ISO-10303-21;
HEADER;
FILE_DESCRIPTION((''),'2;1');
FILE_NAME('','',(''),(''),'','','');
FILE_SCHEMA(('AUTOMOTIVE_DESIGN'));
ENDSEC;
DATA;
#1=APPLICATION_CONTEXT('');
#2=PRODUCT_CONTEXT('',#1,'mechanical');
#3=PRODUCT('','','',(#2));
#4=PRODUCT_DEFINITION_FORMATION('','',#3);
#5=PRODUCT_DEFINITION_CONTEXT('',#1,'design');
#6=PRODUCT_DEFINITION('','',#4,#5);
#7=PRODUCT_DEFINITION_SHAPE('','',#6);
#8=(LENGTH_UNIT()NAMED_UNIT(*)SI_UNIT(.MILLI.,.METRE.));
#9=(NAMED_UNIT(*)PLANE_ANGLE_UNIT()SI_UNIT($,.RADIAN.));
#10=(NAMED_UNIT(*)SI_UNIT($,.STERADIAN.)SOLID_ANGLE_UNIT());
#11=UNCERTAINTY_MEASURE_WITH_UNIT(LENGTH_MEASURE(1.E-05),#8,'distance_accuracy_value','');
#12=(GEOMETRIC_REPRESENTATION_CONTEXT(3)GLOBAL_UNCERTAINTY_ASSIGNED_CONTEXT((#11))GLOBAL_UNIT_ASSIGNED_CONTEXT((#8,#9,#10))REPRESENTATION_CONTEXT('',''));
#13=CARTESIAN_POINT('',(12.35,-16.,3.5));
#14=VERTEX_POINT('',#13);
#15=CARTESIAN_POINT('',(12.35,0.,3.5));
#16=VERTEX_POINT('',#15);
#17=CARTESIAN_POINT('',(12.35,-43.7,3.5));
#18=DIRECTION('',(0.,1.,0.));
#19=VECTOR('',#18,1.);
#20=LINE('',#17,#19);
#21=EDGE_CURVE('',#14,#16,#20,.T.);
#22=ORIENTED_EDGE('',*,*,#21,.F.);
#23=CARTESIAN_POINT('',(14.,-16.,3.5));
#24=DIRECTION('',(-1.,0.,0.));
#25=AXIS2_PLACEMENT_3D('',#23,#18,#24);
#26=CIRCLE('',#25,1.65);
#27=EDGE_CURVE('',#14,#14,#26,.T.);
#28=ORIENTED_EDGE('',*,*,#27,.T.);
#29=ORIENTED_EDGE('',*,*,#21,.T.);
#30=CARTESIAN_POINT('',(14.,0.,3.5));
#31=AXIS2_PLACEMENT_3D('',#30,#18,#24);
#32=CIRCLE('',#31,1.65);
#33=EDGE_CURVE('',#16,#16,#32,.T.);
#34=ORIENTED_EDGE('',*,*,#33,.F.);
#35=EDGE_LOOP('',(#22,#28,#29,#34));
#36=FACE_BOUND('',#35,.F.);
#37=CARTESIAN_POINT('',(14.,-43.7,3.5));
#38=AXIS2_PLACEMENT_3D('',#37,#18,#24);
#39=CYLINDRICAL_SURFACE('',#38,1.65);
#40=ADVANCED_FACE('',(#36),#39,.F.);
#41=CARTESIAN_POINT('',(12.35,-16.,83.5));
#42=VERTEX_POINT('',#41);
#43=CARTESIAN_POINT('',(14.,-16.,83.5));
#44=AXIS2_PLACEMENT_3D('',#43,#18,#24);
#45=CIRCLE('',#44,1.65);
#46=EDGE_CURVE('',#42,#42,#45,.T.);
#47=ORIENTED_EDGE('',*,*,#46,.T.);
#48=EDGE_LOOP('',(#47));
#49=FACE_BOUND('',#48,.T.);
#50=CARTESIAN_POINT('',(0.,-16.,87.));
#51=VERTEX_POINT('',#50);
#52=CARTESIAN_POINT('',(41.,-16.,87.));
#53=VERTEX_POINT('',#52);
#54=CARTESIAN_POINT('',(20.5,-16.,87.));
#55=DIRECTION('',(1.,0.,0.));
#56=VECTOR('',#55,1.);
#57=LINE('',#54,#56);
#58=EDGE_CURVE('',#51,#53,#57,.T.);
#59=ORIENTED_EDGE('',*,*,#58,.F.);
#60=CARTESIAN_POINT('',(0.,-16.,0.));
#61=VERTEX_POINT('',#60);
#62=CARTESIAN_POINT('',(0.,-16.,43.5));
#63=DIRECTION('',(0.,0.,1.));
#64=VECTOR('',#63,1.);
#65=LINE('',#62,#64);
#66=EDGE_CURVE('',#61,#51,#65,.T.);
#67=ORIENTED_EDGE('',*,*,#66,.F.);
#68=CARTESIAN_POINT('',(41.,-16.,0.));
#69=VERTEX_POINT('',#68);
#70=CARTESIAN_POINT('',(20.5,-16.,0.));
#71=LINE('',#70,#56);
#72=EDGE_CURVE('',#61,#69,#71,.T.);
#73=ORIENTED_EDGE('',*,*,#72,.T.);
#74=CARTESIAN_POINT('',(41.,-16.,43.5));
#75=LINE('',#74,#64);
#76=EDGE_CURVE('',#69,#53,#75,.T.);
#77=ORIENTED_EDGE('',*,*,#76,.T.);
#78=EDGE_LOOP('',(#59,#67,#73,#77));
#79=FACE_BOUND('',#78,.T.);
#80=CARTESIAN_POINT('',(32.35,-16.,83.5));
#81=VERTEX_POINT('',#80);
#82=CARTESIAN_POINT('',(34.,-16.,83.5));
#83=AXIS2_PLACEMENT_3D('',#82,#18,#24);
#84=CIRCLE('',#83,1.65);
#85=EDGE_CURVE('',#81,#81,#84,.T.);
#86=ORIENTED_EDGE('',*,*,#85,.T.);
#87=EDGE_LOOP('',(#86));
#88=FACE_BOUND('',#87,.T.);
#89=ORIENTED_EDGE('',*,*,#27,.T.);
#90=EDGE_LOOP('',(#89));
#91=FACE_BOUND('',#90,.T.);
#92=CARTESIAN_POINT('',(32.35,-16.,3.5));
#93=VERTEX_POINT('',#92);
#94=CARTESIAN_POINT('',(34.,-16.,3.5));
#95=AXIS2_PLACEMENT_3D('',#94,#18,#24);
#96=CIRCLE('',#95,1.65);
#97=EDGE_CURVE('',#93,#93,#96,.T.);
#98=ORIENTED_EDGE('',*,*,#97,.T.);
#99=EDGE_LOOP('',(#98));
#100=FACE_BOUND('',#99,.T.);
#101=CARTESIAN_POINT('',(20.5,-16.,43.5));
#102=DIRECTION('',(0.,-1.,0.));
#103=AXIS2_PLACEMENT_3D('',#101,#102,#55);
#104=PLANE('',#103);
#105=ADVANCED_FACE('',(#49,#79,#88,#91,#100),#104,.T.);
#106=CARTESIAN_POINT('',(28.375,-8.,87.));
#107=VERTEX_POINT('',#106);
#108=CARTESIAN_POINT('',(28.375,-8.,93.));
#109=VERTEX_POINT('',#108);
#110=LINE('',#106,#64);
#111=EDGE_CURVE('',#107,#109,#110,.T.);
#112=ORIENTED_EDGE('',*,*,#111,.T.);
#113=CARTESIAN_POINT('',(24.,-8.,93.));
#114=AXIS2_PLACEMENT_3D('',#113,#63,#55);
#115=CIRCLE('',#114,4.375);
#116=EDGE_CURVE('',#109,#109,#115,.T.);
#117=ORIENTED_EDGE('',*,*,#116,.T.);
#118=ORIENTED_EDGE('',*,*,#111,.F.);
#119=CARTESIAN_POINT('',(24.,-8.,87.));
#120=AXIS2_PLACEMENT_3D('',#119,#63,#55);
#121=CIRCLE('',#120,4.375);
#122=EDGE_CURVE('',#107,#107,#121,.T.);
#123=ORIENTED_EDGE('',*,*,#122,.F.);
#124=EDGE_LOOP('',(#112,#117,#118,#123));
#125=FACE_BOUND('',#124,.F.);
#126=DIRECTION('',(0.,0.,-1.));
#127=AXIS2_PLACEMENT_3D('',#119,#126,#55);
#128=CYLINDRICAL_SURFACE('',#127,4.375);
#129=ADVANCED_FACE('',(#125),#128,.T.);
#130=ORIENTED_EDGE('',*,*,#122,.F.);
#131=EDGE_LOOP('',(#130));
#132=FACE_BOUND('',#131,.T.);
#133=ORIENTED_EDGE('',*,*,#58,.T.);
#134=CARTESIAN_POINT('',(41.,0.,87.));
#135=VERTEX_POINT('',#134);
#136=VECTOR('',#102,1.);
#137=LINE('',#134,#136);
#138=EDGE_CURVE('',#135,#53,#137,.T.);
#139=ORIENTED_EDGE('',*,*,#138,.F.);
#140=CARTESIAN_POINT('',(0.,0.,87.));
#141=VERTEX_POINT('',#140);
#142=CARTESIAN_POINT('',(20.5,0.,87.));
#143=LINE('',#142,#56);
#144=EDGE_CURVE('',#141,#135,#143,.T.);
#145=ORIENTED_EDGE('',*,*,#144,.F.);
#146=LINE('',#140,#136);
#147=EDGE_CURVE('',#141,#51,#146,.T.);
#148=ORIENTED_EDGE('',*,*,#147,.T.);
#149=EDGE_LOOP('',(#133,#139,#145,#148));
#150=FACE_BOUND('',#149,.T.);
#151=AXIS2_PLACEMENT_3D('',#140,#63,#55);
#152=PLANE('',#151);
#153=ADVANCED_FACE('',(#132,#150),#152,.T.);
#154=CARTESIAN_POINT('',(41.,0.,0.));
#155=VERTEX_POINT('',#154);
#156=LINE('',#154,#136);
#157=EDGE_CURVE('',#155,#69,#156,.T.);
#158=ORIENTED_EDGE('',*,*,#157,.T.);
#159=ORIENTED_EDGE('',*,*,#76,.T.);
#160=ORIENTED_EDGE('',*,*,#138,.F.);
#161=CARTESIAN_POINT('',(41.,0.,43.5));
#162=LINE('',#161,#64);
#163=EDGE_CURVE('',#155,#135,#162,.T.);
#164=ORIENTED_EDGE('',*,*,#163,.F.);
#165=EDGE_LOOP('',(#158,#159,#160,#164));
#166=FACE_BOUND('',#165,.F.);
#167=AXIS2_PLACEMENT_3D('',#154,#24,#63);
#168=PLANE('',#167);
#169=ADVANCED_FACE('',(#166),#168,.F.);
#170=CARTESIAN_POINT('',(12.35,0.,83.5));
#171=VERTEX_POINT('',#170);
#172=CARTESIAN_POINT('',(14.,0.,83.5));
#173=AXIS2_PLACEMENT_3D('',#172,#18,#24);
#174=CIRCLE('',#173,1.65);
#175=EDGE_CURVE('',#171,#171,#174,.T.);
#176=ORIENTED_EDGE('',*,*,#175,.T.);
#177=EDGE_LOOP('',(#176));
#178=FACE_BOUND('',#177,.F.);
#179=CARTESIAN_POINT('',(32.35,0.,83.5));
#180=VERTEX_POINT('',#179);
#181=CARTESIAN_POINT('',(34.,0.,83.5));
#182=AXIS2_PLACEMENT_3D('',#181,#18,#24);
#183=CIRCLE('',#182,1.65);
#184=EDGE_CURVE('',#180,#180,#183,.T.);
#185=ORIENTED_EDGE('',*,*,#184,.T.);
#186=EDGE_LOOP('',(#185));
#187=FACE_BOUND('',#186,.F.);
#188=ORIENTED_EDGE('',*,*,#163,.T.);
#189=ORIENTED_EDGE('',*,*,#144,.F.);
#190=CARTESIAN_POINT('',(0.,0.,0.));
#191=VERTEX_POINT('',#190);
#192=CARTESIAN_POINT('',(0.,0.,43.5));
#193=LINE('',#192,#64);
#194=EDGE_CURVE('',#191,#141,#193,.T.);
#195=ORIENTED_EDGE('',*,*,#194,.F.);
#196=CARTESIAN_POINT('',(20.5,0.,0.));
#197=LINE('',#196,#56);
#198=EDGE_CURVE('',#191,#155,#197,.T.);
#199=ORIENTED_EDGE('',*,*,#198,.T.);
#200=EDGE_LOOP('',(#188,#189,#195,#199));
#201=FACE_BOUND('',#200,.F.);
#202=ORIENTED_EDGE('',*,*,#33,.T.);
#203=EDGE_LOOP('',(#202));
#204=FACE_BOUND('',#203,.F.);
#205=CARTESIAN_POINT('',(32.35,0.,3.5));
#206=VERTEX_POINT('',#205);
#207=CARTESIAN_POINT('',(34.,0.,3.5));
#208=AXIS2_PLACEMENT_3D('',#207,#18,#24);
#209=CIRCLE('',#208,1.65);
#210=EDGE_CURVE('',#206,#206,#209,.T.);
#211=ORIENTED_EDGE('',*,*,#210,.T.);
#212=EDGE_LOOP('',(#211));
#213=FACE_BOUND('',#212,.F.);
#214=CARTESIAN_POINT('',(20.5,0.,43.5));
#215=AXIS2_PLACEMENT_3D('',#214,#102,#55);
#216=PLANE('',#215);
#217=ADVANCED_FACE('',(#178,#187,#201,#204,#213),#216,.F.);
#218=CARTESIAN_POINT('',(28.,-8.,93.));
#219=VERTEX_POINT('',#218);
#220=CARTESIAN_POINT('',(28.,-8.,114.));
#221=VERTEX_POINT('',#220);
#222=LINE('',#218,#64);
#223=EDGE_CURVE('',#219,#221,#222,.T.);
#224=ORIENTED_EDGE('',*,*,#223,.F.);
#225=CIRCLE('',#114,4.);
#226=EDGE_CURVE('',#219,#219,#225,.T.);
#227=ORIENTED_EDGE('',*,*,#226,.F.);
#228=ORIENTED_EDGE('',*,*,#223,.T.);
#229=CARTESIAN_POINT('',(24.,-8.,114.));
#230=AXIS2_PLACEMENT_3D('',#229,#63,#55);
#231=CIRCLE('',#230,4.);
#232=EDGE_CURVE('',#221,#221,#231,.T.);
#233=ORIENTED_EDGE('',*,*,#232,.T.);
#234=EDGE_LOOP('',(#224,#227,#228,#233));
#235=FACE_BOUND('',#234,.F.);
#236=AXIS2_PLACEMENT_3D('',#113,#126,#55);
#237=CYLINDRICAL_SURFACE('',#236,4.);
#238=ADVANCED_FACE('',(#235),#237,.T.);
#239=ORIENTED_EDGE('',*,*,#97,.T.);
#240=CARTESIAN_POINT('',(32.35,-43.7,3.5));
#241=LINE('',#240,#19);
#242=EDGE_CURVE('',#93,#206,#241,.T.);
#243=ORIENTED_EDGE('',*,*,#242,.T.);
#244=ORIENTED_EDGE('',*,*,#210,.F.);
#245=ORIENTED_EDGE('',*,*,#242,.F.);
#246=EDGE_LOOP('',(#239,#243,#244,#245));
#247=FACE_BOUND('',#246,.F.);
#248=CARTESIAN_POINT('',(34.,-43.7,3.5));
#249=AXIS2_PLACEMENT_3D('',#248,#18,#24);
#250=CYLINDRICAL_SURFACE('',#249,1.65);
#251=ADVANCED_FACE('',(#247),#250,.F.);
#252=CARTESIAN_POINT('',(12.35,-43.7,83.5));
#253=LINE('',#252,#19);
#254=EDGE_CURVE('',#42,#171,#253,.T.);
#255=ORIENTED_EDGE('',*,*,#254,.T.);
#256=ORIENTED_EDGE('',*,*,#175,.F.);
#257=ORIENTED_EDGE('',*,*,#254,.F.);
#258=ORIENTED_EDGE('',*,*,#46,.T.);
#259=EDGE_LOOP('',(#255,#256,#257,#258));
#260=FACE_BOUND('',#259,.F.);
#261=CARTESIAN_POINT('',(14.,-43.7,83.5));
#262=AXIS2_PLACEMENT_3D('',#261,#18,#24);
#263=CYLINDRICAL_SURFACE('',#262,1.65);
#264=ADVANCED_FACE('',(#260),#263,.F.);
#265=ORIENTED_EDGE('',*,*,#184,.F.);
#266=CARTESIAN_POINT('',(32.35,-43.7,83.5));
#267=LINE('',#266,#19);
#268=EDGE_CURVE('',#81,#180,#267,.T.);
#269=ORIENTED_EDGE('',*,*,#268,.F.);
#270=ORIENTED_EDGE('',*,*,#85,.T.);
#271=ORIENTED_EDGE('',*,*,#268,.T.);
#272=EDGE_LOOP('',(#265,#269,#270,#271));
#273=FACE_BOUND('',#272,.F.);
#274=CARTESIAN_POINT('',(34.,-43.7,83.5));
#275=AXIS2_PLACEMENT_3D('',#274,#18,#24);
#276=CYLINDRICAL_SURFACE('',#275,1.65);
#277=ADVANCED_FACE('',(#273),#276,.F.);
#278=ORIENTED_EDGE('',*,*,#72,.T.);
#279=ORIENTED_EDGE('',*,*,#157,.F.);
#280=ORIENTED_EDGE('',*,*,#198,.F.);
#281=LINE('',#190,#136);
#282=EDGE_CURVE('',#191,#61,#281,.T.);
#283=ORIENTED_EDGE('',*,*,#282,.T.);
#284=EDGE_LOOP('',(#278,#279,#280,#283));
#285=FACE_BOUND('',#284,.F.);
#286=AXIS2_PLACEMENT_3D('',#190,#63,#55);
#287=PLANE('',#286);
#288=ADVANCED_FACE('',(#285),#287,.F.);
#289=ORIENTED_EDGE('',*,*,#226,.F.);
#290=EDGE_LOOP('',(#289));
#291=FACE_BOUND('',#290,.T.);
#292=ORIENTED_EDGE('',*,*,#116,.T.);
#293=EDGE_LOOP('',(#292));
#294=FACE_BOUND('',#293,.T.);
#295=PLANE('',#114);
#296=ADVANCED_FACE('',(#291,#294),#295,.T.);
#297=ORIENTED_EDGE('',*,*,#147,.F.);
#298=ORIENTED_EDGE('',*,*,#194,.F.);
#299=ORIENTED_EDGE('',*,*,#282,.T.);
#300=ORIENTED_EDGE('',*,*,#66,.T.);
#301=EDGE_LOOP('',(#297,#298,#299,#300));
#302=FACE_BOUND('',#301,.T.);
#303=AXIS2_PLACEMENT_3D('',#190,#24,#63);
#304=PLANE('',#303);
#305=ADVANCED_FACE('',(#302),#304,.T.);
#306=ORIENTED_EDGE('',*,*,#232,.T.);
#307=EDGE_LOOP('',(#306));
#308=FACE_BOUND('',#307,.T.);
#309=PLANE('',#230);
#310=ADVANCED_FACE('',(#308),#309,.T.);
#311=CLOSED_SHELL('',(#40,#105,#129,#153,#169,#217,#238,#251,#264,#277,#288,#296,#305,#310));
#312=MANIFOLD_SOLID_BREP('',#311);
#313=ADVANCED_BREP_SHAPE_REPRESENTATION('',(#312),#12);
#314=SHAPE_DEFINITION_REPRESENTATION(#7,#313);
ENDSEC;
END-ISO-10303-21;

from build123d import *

# Parameters (mm, degrees)
F0_W     = 41
F0_H     = 87
F1_DEPTH = 16
F3_D     = 3.3
F3_DEPTH = 27.7
F3_TIP   = 0.9914200214
F4_R     = 4.375
F5_DEPTH = 6
F6_R     = 4
F7_DEPTH = 21


with BuildPart() as f1:
    # F0 (on Front) → F1 (new body)
    with BuildSketch(Plane.XZ):
        with Locations((20.5, 43.5)):
            Rectangle(F0_W, F0_H)
    extrude(amount=F1_DEPTH)

    # F3
    with Locations(Plane.XZ.offset(16)):
        with Locations((14, 83.5), (34, 83.5), (14, 3.5), (34, 3.5)):
            Hole(F3_D / 2, depth=F3_DEPTH)
            with Locations((0, 0, -(F3_DEPTH + F3_TIP / 2))):  # 118° drill point
                Cone(0, F3_D / 2, F3_TIP, mode=Mode.SUBTRACT)

    # F4 (on face) → F5 (join)
    with BuildSketch(Plane.XY.offset(87)):
        with Locations((24, -8)):
            Circle(F4_R)
    extrude(amount=F5_DEPTH)

    # F6 (on face) → F7 (join)
    with BuildSketch(Plane.XY.offset(93)):
        with Locations((24, -8)):
            Circle(F6_R)
    extrude(amount=F7_DEPTH)


solid = f1.part
